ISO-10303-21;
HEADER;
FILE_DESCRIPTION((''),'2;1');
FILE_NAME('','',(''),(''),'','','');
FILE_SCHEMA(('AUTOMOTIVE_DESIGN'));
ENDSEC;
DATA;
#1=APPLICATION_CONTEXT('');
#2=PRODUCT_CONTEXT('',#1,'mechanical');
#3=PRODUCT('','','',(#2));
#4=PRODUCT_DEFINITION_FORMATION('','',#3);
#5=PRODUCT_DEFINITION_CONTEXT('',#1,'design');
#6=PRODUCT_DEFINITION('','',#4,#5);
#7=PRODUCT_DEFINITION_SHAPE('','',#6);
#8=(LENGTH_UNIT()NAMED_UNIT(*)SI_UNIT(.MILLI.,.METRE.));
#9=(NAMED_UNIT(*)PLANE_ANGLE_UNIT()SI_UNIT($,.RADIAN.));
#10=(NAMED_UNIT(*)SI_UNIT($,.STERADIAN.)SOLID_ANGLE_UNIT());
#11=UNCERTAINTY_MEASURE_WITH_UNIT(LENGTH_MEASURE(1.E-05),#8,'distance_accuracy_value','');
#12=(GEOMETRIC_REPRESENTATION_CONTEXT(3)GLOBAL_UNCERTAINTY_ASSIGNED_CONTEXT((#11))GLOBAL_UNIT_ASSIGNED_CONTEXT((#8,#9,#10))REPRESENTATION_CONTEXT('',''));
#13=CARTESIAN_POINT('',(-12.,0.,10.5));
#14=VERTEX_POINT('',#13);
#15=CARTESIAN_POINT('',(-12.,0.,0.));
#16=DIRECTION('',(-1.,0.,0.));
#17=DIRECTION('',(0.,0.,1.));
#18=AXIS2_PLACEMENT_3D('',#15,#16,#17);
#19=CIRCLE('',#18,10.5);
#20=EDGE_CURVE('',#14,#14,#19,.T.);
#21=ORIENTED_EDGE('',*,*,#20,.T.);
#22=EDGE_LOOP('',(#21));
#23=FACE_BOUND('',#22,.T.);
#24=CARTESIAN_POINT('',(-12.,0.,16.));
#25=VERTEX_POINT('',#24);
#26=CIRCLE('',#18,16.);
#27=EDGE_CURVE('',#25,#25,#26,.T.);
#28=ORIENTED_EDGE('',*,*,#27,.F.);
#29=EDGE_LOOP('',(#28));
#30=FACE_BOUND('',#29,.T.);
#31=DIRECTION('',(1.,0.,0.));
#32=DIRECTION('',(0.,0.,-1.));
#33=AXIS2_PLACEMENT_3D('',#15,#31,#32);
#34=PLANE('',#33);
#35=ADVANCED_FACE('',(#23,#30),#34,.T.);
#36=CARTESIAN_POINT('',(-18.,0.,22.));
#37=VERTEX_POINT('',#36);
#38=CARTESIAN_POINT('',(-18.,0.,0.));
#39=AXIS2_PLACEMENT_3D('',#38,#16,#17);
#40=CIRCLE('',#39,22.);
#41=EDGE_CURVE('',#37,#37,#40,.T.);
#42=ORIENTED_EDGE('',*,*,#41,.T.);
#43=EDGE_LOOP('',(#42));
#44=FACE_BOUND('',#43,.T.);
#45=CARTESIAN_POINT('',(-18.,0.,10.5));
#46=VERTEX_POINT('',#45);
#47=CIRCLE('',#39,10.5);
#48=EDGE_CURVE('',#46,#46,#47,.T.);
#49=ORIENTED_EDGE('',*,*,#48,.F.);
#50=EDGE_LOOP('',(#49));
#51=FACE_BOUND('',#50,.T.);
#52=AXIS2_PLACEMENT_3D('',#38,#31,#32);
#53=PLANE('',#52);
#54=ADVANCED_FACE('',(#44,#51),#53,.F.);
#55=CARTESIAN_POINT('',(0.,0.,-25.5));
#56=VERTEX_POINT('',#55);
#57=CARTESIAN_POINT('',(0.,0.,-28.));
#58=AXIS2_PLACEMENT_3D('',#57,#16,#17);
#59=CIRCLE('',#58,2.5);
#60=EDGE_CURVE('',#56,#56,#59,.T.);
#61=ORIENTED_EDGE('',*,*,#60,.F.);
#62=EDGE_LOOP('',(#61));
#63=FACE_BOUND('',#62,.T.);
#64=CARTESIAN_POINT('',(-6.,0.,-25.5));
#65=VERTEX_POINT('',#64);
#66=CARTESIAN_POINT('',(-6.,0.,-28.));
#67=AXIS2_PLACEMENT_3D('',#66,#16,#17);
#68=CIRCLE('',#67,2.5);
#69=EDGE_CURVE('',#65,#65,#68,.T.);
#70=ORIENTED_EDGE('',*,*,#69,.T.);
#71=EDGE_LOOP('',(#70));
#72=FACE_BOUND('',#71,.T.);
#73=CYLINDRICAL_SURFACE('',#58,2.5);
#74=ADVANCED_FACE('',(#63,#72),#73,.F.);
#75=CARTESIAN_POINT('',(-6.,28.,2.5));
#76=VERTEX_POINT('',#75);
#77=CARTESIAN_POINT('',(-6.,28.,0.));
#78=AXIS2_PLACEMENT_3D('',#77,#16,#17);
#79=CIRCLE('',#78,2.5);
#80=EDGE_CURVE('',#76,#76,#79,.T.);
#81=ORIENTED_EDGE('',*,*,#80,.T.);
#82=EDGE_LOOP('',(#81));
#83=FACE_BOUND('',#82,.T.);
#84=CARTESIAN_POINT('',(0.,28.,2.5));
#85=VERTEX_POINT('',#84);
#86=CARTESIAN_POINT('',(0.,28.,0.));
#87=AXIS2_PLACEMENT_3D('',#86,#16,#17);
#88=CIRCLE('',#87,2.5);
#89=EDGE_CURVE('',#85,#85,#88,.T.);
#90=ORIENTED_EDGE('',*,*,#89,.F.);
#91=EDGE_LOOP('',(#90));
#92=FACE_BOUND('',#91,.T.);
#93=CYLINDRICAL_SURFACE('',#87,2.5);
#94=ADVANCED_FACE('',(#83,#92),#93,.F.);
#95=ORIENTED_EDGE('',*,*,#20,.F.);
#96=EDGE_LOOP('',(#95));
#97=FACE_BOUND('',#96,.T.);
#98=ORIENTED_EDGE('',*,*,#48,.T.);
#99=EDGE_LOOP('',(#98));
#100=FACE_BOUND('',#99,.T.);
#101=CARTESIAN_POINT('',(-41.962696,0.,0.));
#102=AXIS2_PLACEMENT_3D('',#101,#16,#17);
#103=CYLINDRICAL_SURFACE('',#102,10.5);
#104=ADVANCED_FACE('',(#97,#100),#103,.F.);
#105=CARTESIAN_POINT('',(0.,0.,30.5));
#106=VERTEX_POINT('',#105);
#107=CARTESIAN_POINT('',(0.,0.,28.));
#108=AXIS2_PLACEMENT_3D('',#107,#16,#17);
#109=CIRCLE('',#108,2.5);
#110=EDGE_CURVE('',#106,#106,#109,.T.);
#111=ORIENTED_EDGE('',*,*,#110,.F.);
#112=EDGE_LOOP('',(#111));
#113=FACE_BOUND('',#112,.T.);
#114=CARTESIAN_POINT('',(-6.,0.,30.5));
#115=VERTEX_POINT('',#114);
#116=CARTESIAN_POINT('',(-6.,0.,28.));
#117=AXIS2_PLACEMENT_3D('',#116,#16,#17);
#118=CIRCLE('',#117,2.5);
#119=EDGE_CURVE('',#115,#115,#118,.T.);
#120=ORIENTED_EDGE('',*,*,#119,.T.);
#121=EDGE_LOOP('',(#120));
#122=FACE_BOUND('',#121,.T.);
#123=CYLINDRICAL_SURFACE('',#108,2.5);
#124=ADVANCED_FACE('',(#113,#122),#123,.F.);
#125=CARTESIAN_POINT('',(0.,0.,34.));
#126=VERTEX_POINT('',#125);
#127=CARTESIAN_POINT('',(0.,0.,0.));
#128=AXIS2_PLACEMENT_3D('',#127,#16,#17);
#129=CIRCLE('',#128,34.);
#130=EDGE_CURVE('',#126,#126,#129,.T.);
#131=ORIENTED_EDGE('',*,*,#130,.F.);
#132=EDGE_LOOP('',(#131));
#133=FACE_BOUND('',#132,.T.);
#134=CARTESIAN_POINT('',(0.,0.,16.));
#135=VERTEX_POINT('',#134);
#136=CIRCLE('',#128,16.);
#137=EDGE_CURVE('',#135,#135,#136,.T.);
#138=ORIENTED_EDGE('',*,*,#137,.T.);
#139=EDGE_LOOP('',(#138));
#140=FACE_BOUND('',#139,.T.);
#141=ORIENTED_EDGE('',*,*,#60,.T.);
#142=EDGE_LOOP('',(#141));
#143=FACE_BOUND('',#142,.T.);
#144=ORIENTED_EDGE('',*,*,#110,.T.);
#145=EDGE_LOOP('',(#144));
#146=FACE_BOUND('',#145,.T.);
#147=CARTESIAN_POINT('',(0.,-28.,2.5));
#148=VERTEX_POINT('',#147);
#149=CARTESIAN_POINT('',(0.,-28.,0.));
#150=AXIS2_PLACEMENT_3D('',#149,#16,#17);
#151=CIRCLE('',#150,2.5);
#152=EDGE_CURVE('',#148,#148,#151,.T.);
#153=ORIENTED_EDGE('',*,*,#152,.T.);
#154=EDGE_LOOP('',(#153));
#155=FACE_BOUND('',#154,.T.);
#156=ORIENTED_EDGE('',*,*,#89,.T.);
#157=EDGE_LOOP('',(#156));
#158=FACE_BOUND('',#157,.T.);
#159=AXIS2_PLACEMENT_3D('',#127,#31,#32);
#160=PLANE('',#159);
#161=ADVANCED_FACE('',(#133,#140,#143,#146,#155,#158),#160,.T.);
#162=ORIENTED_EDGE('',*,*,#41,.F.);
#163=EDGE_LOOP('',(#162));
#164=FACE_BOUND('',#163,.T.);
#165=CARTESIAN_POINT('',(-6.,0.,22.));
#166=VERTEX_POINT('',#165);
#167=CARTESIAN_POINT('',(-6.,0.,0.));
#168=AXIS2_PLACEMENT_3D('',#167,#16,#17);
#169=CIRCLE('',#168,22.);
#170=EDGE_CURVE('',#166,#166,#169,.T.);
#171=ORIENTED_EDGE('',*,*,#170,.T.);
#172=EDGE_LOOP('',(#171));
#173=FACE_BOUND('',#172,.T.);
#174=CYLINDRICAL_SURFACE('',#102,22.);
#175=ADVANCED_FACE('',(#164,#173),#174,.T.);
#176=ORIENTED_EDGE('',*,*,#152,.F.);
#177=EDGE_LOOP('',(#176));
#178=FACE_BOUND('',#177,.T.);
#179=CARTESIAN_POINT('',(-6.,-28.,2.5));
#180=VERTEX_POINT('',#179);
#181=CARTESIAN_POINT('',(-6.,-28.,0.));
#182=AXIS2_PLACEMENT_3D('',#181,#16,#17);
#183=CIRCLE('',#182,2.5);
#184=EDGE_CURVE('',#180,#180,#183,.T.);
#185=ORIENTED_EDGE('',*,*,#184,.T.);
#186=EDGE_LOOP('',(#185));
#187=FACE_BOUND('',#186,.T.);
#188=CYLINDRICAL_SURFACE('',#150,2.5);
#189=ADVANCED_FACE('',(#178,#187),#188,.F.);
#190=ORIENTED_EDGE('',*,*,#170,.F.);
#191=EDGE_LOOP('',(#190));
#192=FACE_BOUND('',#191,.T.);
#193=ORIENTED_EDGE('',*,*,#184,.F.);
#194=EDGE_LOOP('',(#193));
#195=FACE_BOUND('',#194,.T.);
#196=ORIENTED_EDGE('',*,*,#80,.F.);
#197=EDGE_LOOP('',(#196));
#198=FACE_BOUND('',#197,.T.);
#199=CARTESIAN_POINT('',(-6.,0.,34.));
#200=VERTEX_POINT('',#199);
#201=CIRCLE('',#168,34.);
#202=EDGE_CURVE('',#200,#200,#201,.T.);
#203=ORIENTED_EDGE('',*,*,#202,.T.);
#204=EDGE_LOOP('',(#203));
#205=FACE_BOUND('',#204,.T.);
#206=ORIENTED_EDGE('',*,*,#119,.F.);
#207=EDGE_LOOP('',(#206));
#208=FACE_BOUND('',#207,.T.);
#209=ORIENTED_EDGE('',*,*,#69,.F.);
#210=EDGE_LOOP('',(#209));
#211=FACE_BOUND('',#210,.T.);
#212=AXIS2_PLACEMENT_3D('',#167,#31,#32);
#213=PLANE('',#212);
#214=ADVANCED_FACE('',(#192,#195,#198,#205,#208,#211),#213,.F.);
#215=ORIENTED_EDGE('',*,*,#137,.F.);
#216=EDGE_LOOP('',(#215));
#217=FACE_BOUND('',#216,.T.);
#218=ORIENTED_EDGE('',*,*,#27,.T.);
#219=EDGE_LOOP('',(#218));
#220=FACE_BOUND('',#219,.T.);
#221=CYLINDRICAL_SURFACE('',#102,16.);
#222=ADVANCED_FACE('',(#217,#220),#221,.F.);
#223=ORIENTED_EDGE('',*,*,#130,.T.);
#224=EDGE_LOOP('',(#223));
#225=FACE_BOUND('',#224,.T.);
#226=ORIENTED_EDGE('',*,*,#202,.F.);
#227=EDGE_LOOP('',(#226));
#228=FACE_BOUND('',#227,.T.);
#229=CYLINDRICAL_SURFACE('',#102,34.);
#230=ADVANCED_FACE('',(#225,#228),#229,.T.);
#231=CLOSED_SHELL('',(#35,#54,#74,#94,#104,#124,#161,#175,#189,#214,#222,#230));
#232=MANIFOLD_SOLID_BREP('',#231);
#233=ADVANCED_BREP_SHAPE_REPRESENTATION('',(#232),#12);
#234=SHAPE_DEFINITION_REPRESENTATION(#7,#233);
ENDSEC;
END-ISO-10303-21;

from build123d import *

# Parameters (mm, degrees)
SKETCH2_R          = 2.5
CUT_EXTRUDE1_DEPTH = 7


with BuildPart() as part:
    # Sketch1 → Revolve1 (revolve)
    with BuildSketch(Plane.XY):
        Polygon((0, 16), (0, 34), (-6, 34), (-6, 22), (-18, 22), (-18, 10.5), (-12, 10.5), (-12, 16), align=None)
    revolve(axis=Axis((-41.962696156, 0, 0), (1, 0, 0)))

    # Sketch2 → Cut-Extrude1 (cut, through all)
    with BuildSketch(Plane.ZY.offset(6)):
        with Locations((0, 28)):
            Circle(SKETCH2_R)
        with Locations((28, 0)):
            Circle(SKETCH2_R)
        with Locations((0, -28)):
            Circle(SKETCH2_R)
        with Locations((-28, 0)):
            Circle(SKETCH2_R)
    extrude(amount=-CUT_EXTRUDE1_DEPTH, mode=Mode.SUBTRACT)


solid = part.part
